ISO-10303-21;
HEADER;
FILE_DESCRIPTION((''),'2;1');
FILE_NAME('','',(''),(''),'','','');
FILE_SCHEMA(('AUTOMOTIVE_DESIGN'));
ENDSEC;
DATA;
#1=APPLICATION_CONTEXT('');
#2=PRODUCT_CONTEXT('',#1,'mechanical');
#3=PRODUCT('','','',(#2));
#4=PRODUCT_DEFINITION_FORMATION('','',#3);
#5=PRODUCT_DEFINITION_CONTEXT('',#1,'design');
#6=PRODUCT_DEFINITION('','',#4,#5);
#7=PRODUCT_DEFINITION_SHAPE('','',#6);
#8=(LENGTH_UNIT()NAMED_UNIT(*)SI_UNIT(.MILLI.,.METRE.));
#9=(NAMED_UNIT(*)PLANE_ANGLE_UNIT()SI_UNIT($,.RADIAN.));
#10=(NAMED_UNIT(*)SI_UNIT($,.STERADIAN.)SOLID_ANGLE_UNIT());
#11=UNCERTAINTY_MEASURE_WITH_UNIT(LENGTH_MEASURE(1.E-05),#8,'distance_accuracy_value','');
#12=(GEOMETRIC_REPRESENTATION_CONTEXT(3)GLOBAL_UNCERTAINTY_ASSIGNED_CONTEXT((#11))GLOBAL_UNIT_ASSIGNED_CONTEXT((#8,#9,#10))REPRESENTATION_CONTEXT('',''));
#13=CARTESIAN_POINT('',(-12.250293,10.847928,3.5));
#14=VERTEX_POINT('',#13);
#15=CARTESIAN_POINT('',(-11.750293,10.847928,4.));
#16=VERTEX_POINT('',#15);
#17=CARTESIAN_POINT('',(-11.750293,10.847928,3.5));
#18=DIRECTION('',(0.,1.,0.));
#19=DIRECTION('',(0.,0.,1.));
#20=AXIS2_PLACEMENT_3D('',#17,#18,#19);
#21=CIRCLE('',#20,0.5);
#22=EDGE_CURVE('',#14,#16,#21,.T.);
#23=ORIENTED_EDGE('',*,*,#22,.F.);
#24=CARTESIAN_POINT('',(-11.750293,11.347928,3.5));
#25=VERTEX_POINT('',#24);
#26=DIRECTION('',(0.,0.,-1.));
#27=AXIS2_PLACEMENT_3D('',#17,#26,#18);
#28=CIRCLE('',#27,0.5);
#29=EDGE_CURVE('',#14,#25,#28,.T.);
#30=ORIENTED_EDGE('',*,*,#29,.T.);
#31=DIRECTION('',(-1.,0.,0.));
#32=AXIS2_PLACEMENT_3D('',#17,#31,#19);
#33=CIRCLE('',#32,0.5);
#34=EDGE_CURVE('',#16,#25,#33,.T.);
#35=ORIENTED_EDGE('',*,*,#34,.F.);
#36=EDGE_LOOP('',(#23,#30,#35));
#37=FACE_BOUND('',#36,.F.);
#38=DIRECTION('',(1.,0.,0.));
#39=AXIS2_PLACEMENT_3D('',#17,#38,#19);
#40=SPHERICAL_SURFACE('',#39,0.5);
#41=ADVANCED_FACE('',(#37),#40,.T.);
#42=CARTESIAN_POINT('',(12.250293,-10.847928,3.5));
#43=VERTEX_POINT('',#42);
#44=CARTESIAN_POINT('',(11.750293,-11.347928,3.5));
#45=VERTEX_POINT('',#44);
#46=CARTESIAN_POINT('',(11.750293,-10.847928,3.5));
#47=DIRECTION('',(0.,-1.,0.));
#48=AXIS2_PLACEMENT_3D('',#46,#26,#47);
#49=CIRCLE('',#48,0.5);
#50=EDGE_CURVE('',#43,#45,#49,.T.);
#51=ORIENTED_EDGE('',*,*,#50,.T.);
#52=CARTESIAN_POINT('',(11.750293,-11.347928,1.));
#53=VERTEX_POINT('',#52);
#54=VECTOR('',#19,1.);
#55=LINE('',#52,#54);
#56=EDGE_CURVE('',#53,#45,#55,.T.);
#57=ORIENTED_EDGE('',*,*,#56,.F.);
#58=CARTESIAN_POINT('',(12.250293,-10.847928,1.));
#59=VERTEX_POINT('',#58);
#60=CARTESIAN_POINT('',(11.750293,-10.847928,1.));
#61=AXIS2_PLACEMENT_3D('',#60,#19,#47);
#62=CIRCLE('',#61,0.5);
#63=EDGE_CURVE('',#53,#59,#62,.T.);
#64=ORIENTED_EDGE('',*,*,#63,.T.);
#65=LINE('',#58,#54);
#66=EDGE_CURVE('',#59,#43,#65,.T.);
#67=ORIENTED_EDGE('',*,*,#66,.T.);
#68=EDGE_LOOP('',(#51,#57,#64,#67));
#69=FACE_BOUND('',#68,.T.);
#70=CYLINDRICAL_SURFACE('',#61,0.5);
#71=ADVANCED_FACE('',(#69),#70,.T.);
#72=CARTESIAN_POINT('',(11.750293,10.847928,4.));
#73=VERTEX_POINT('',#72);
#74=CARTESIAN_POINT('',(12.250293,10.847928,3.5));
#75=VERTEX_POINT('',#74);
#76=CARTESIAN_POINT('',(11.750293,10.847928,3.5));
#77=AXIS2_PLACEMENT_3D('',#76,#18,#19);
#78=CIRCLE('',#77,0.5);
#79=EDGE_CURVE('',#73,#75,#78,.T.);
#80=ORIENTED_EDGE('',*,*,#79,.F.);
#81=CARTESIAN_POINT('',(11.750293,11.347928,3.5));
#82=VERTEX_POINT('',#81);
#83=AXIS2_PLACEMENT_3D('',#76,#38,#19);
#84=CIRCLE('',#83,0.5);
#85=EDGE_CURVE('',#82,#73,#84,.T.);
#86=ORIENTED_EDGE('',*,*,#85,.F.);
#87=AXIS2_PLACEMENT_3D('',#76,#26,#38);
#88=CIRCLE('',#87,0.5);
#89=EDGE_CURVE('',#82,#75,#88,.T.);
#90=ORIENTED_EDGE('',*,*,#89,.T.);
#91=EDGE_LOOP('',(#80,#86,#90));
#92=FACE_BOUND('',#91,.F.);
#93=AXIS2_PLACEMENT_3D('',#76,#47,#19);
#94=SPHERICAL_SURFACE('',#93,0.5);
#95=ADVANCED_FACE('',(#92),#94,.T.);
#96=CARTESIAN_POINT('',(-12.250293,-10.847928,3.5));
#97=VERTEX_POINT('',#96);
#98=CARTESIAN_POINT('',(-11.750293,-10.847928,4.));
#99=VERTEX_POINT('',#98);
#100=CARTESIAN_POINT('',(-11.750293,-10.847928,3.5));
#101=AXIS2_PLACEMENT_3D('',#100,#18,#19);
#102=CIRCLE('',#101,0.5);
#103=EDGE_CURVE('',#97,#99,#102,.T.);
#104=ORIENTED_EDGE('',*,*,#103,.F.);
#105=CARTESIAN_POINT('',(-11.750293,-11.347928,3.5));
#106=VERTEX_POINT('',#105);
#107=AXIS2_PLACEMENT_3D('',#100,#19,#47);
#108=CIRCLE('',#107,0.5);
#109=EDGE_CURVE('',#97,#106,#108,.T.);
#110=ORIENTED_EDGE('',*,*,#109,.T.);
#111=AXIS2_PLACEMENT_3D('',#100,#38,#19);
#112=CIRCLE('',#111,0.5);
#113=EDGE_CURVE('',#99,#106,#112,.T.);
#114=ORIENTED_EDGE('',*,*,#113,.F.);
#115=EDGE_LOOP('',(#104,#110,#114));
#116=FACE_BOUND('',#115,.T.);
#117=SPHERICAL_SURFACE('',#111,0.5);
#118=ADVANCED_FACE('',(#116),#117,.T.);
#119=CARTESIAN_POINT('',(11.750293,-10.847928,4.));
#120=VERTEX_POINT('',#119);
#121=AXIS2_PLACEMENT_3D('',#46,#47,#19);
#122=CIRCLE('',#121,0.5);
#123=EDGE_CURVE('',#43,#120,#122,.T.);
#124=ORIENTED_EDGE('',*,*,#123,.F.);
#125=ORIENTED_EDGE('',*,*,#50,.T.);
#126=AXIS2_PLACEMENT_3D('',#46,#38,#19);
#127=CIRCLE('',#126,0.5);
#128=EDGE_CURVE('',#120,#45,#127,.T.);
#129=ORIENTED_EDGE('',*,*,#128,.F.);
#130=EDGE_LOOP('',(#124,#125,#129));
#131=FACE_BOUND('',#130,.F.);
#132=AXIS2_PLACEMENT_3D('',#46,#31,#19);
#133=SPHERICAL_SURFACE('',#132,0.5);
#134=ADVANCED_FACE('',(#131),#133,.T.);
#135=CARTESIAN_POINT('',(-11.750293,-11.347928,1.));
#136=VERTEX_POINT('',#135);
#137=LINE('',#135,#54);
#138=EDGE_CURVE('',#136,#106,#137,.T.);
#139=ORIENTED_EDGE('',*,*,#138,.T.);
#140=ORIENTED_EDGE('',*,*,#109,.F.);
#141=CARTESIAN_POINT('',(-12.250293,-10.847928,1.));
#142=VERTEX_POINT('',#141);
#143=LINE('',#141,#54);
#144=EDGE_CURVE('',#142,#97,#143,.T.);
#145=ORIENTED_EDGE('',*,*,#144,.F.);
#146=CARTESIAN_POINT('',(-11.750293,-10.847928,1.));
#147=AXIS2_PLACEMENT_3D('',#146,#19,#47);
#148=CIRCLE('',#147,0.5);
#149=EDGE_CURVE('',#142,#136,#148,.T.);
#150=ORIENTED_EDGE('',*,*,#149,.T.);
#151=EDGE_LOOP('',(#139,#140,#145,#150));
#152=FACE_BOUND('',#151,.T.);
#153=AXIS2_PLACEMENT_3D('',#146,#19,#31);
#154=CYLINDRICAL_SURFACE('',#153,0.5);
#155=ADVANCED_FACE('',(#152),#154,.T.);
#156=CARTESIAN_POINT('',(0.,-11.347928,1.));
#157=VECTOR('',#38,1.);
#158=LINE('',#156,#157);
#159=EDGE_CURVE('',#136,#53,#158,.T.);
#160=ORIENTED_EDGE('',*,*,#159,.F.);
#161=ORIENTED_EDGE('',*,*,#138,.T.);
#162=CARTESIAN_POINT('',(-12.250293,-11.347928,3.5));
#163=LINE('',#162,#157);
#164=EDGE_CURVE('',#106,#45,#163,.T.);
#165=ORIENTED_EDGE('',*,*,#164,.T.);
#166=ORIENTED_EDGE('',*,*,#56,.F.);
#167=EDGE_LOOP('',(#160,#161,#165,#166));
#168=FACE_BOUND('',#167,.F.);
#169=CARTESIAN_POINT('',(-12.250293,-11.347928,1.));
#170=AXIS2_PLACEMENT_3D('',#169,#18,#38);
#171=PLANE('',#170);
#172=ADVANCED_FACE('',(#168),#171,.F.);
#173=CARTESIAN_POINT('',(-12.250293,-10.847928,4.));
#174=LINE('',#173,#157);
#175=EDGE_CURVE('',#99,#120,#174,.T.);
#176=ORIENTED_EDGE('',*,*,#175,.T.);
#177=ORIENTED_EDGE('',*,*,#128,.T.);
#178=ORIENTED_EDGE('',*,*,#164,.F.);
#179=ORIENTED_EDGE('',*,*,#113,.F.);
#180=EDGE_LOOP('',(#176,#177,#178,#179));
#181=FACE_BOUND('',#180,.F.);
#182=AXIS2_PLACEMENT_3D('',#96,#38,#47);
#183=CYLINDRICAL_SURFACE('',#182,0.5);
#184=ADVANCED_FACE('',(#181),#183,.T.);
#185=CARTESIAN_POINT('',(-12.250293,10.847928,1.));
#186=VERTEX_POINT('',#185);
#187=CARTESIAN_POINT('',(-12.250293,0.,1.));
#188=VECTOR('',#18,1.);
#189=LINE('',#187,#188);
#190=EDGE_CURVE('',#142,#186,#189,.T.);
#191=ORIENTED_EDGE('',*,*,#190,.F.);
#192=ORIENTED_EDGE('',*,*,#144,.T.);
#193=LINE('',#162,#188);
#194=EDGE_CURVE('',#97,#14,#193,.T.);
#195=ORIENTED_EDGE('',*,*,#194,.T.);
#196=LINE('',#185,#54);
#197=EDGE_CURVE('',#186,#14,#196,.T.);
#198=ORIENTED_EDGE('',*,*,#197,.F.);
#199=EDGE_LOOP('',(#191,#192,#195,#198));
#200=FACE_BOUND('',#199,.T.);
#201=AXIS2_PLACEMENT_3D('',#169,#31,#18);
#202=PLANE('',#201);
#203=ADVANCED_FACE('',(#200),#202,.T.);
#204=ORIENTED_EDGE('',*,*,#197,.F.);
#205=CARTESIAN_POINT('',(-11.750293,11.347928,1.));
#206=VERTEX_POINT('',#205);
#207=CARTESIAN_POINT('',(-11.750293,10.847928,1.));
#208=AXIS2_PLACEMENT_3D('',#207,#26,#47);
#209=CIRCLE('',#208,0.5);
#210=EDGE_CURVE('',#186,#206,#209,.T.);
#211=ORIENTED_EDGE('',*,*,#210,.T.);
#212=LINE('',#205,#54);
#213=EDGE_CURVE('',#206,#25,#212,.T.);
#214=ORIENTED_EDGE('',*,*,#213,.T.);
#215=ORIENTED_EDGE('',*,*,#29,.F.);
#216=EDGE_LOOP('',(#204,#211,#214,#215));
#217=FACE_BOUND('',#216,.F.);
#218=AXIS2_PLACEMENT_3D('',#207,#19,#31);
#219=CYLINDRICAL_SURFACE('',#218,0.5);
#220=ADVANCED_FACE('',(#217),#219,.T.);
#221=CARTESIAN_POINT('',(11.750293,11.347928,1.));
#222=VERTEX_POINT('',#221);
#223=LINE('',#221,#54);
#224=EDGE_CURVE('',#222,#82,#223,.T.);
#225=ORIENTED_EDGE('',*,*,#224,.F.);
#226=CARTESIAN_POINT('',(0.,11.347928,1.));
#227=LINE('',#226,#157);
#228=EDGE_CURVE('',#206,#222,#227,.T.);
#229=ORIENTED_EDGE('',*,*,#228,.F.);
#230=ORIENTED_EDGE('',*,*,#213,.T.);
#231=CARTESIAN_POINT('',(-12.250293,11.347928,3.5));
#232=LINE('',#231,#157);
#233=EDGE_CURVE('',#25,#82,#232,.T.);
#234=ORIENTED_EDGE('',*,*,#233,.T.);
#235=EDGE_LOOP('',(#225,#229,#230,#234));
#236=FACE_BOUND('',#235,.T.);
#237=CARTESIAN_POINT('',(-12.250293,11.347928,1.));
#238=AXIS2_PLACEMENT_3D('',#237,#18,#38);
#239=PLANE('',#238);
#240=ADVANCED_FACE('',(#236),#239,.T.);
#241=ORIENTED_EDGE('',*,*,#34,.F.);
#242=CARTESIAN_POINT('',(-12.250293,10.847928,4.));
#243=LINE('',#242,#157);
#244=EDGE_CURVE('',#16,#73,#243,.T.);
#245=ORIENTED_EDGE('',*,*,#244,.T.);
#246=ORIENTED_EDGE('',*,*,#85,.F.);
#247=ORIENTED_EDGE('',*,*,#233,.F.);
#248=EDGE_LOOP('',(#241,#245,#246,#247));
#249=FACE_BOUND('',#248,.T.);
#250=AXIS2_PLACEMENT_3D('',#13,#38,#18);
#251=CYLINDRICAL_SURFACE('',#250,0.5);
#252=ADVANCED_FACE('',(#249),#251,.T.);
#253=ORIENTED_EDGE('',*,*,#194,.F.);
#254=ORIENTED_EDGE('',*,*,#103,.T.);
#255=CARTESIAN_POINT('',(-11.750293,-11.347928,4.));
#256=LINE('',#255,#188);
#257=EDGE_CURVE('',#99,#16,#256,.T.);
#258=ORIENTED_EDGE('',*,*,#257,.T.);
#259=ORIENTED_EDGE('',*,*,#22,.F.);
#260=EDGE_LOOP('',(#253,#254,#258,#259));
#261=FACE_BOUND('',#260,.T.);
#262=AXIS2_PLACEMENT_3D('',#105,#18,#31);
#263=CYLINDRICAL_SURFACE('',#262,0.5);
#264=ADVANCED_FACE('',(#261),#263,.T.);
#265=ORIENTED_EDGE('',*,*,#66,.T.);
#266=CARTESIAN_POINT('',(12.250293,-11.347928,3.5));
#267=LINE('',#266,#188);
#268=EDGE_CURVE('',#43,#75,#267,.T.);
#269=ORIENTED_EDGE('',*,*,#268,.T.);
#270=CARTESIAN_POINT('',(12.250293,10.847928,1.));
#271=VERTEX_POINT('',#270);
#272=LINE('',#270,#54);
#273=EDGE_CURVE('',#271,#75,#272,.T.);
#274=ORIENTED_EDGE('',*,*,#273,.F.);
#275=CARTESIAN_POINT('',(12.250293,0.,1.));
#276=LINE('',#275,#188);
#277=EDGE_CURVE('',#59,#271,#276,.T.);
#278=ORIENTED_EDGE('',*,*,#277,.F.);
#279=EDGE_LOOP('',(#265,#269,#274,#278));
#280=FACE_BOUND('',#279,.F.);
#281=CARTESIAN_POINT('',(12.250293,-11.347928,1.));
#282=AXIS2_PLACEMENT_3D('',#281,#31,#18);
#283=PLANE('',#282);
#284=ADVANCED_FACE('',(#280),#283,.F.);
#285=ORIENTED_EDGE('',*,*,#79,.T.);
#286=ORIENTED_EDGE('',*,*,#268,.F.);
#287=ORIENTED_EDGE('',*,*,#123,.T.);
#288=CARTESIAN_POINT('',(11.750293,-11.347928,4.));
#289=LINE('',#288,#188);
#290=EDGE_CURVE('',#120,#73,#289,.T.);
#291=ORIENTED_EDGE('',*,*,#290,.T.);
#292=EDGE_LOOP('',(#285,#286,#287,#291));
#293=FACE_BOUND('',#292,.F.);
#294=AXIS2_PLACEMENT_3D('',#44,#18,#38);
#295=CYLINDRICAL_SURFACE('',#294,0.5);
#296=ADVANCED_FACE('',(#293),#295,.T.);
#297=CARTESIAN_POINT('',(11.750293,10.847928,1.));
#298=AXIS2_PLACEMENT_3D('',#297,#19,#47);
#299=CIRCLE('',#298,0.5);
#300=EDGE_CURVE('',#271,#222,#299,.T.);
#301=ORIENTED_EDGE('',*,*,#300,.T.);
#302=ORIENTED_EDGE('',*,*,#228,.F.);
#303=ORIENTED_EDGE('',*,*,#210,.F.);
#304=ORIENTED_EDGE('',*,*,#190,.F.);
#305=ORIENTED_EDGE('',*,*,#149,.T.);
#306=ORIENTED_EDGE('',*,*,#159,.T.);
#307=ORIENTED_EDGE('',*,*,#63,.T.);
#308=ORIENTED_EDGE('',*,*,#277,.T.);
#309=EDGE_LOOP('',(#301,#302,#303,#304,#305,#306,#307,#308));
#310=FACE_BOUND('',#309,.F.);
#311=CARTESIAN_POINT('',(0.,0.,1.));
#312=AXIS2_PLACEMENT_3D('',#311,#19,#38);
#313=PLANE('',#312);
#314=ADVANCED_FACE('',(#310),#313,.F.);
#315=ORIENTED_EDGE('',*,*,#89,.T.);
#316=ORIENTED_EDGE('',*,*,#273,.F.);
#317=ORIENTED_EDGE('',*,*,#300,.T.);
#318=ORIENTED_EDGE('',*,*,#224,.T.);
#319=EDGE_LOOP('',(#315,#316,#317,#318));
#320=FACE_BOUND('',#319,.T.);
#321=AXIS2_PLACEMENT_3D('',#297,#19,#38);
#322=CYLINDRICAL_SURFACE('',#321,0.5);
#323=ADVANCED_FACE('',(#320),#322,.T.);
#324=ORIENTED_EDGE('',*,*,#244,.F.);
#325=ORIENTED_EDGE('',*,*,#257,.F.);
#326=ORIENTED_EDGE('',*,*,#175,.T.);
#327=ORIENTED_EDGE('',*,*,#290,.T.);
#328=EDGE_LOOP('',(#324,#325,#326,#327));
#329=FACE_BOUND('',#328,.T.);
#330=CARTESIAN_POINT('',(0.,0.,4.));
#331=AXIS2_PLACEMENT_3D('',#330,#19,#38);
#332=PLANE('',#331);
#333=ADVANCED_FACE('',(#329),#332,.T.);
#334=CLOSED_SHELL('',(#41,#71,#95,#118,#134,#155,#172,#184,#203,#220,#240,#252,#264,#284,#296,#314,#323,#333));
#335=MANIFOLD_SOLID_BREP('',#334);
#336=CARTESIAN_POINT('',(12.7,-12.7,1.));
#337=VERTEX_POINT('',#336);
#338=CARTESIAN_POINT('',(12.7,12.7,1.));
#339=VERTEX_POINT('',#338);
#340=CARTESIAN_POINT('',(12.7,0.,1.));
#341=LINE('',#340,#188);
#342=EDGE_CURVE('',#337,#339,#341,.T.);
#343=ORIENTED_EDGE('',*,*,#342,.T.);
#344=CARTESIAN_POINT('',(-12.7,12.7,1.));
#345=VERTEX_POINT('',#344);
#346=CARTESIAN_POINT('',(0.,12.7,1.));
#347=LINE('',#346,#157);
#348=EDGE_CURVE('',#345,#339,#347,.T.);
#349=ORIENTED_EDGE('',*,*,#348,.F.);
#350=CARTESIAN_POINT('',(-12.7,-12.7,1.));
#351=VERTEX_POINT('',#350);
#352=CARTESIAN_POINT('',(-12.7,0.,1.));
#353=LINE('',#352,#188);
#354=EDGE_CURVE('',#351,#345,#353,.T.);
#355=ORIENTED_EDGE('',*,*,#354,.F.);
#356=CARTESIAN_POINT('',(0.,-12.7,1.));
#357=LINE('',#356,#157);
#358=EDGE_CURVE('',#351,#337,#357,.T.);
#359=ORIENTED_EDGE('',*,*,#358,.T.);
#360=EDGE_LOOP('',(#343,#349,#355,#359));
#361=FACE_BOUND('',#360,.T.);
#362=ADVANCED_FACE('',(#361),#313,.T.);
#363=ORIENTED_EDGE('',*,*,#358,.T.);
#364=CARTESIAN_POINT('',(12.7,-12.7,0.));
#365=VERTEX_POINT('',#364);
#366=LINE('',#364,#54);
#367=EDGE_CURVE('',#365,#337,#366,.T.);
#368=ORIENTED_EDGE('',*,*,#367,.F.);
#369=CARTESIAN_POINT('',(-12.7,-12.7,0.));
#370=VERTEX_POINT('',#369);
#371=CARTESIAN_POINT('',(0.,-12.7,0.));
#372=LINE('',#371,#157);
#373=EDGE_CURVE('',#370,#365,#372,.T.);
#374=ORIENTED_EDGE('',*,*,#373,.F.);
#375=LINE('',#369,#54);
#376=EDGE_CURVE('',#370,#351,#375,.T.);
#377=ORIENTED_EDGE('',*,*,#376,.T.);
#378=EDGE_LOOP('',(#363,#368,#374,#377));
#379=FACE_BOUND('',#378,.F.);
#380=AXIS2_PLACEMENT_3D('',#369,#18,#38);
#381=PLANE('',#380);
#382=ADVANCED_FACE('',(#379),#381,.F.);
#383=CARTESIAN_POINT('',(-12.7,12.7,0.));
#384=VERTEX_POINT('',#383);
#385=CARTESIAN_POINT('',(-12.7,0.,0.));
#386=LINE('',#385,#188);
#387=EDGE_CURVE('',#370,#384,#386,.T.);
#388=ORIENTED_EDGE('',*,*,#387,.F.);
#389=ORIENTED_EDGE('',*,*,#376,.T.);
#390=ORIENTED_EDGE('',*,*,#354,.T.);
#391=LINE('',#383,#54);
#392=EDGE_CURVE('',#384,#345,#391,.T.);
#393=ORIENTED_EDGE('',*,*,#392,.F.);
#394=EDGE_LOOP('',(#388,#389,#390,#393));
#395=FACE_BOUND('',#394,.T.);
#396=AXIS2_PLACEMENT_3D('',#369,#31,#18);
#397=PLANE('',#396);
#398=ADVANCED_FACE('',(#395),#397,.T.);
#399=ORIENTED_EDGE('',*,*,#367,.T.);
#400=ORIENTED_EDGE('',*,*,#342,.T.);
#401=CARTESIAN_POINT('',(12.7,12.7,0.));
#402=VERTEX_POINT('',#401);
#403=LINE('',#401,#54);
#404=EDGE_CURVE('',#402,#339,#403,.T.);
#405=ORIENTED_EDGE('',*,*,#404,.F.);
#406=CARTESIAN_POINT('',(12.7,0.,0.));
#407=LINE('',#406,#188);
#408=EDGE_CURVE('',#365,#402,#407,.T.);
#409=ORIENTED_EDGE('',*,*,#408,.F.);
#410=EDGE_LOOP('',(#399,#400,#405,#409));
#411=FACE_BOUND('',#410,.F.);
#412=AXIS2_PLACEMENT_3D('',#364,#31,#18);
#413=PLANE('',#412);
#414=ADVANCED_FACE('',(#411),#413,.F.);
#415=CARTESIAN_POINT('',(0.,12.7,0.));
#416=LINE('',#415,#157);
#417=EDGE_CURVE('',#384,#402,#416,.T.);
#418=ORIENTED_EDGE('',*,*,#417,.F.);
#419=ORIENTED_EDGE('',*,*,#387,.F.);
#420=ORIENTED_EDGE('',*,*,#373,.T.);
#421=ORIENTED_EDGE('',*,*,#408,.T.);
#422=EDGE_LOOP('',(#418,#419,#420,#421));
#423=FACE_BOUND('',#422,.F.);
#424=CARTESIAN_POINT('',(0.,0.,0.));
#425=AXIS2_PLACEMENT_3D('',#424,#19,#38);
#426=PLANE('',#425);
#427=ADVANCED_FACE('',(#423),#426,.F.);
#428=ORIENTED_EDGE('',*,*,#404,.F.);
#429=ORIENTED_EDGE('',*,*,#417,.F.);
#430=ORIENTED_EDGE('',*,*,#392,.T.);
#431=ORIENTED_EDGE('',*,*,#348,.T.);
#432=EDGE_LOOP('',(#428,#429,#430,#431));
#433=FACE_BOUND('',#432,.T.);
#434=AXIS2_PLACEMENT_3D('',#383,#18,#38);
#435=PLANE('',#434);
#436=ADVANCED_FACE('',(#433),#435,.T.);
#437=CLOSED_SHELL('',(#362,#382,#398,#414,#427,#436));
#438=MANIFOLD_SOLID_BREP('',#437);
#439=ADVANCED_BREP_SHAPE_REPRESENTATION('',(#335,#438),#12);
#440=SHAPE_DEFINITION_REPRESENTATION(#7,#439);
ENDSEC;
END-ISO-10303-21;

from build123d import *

# Parameters (mm, degrees)
F0_W     = 25.4
F0_H     = 25.4
F1_DEPTH = 1
F2_W     = 24.500586
F2_H     = 22.695856
F3_DEPTH = 3
F4_R     = 0.5


with BuildPart() as f1:
    # F0 (on Top) → F1 (new body)
    with BuildSketch(Plane.XY):
        Rectangle(F0_W, F0_H)
    extrude(amount=F1_DEPTH)


with BuildPart() as f3:
    # F2 (on face) → F3 (new body)
    with BuildSketch(Plane.XY.offset(1)):
        Rectangle(F2_W, F2_H)
    extrude(amount=F3_DEPTH)

    # F4
    f4_edges = [f3.edges().sort_by_distance(p)[0] for p in [
        (0, -11.347928, 4),
        (12.250293, 0, 4),
        (0, 11.347928, 4),
        (-12.250293, 0, 4),
        (12.250293, -11.347928, 2.5),
        (-12.250293, -11.347928, 2.5),
        (-12.250293, 11.347928, 2.5),
        (12.250293, 11.347928, 2.5),
    ]]
    fillet(f4_edges, radius=F4_R)


solid = Compound([f1.part, f3.part])
